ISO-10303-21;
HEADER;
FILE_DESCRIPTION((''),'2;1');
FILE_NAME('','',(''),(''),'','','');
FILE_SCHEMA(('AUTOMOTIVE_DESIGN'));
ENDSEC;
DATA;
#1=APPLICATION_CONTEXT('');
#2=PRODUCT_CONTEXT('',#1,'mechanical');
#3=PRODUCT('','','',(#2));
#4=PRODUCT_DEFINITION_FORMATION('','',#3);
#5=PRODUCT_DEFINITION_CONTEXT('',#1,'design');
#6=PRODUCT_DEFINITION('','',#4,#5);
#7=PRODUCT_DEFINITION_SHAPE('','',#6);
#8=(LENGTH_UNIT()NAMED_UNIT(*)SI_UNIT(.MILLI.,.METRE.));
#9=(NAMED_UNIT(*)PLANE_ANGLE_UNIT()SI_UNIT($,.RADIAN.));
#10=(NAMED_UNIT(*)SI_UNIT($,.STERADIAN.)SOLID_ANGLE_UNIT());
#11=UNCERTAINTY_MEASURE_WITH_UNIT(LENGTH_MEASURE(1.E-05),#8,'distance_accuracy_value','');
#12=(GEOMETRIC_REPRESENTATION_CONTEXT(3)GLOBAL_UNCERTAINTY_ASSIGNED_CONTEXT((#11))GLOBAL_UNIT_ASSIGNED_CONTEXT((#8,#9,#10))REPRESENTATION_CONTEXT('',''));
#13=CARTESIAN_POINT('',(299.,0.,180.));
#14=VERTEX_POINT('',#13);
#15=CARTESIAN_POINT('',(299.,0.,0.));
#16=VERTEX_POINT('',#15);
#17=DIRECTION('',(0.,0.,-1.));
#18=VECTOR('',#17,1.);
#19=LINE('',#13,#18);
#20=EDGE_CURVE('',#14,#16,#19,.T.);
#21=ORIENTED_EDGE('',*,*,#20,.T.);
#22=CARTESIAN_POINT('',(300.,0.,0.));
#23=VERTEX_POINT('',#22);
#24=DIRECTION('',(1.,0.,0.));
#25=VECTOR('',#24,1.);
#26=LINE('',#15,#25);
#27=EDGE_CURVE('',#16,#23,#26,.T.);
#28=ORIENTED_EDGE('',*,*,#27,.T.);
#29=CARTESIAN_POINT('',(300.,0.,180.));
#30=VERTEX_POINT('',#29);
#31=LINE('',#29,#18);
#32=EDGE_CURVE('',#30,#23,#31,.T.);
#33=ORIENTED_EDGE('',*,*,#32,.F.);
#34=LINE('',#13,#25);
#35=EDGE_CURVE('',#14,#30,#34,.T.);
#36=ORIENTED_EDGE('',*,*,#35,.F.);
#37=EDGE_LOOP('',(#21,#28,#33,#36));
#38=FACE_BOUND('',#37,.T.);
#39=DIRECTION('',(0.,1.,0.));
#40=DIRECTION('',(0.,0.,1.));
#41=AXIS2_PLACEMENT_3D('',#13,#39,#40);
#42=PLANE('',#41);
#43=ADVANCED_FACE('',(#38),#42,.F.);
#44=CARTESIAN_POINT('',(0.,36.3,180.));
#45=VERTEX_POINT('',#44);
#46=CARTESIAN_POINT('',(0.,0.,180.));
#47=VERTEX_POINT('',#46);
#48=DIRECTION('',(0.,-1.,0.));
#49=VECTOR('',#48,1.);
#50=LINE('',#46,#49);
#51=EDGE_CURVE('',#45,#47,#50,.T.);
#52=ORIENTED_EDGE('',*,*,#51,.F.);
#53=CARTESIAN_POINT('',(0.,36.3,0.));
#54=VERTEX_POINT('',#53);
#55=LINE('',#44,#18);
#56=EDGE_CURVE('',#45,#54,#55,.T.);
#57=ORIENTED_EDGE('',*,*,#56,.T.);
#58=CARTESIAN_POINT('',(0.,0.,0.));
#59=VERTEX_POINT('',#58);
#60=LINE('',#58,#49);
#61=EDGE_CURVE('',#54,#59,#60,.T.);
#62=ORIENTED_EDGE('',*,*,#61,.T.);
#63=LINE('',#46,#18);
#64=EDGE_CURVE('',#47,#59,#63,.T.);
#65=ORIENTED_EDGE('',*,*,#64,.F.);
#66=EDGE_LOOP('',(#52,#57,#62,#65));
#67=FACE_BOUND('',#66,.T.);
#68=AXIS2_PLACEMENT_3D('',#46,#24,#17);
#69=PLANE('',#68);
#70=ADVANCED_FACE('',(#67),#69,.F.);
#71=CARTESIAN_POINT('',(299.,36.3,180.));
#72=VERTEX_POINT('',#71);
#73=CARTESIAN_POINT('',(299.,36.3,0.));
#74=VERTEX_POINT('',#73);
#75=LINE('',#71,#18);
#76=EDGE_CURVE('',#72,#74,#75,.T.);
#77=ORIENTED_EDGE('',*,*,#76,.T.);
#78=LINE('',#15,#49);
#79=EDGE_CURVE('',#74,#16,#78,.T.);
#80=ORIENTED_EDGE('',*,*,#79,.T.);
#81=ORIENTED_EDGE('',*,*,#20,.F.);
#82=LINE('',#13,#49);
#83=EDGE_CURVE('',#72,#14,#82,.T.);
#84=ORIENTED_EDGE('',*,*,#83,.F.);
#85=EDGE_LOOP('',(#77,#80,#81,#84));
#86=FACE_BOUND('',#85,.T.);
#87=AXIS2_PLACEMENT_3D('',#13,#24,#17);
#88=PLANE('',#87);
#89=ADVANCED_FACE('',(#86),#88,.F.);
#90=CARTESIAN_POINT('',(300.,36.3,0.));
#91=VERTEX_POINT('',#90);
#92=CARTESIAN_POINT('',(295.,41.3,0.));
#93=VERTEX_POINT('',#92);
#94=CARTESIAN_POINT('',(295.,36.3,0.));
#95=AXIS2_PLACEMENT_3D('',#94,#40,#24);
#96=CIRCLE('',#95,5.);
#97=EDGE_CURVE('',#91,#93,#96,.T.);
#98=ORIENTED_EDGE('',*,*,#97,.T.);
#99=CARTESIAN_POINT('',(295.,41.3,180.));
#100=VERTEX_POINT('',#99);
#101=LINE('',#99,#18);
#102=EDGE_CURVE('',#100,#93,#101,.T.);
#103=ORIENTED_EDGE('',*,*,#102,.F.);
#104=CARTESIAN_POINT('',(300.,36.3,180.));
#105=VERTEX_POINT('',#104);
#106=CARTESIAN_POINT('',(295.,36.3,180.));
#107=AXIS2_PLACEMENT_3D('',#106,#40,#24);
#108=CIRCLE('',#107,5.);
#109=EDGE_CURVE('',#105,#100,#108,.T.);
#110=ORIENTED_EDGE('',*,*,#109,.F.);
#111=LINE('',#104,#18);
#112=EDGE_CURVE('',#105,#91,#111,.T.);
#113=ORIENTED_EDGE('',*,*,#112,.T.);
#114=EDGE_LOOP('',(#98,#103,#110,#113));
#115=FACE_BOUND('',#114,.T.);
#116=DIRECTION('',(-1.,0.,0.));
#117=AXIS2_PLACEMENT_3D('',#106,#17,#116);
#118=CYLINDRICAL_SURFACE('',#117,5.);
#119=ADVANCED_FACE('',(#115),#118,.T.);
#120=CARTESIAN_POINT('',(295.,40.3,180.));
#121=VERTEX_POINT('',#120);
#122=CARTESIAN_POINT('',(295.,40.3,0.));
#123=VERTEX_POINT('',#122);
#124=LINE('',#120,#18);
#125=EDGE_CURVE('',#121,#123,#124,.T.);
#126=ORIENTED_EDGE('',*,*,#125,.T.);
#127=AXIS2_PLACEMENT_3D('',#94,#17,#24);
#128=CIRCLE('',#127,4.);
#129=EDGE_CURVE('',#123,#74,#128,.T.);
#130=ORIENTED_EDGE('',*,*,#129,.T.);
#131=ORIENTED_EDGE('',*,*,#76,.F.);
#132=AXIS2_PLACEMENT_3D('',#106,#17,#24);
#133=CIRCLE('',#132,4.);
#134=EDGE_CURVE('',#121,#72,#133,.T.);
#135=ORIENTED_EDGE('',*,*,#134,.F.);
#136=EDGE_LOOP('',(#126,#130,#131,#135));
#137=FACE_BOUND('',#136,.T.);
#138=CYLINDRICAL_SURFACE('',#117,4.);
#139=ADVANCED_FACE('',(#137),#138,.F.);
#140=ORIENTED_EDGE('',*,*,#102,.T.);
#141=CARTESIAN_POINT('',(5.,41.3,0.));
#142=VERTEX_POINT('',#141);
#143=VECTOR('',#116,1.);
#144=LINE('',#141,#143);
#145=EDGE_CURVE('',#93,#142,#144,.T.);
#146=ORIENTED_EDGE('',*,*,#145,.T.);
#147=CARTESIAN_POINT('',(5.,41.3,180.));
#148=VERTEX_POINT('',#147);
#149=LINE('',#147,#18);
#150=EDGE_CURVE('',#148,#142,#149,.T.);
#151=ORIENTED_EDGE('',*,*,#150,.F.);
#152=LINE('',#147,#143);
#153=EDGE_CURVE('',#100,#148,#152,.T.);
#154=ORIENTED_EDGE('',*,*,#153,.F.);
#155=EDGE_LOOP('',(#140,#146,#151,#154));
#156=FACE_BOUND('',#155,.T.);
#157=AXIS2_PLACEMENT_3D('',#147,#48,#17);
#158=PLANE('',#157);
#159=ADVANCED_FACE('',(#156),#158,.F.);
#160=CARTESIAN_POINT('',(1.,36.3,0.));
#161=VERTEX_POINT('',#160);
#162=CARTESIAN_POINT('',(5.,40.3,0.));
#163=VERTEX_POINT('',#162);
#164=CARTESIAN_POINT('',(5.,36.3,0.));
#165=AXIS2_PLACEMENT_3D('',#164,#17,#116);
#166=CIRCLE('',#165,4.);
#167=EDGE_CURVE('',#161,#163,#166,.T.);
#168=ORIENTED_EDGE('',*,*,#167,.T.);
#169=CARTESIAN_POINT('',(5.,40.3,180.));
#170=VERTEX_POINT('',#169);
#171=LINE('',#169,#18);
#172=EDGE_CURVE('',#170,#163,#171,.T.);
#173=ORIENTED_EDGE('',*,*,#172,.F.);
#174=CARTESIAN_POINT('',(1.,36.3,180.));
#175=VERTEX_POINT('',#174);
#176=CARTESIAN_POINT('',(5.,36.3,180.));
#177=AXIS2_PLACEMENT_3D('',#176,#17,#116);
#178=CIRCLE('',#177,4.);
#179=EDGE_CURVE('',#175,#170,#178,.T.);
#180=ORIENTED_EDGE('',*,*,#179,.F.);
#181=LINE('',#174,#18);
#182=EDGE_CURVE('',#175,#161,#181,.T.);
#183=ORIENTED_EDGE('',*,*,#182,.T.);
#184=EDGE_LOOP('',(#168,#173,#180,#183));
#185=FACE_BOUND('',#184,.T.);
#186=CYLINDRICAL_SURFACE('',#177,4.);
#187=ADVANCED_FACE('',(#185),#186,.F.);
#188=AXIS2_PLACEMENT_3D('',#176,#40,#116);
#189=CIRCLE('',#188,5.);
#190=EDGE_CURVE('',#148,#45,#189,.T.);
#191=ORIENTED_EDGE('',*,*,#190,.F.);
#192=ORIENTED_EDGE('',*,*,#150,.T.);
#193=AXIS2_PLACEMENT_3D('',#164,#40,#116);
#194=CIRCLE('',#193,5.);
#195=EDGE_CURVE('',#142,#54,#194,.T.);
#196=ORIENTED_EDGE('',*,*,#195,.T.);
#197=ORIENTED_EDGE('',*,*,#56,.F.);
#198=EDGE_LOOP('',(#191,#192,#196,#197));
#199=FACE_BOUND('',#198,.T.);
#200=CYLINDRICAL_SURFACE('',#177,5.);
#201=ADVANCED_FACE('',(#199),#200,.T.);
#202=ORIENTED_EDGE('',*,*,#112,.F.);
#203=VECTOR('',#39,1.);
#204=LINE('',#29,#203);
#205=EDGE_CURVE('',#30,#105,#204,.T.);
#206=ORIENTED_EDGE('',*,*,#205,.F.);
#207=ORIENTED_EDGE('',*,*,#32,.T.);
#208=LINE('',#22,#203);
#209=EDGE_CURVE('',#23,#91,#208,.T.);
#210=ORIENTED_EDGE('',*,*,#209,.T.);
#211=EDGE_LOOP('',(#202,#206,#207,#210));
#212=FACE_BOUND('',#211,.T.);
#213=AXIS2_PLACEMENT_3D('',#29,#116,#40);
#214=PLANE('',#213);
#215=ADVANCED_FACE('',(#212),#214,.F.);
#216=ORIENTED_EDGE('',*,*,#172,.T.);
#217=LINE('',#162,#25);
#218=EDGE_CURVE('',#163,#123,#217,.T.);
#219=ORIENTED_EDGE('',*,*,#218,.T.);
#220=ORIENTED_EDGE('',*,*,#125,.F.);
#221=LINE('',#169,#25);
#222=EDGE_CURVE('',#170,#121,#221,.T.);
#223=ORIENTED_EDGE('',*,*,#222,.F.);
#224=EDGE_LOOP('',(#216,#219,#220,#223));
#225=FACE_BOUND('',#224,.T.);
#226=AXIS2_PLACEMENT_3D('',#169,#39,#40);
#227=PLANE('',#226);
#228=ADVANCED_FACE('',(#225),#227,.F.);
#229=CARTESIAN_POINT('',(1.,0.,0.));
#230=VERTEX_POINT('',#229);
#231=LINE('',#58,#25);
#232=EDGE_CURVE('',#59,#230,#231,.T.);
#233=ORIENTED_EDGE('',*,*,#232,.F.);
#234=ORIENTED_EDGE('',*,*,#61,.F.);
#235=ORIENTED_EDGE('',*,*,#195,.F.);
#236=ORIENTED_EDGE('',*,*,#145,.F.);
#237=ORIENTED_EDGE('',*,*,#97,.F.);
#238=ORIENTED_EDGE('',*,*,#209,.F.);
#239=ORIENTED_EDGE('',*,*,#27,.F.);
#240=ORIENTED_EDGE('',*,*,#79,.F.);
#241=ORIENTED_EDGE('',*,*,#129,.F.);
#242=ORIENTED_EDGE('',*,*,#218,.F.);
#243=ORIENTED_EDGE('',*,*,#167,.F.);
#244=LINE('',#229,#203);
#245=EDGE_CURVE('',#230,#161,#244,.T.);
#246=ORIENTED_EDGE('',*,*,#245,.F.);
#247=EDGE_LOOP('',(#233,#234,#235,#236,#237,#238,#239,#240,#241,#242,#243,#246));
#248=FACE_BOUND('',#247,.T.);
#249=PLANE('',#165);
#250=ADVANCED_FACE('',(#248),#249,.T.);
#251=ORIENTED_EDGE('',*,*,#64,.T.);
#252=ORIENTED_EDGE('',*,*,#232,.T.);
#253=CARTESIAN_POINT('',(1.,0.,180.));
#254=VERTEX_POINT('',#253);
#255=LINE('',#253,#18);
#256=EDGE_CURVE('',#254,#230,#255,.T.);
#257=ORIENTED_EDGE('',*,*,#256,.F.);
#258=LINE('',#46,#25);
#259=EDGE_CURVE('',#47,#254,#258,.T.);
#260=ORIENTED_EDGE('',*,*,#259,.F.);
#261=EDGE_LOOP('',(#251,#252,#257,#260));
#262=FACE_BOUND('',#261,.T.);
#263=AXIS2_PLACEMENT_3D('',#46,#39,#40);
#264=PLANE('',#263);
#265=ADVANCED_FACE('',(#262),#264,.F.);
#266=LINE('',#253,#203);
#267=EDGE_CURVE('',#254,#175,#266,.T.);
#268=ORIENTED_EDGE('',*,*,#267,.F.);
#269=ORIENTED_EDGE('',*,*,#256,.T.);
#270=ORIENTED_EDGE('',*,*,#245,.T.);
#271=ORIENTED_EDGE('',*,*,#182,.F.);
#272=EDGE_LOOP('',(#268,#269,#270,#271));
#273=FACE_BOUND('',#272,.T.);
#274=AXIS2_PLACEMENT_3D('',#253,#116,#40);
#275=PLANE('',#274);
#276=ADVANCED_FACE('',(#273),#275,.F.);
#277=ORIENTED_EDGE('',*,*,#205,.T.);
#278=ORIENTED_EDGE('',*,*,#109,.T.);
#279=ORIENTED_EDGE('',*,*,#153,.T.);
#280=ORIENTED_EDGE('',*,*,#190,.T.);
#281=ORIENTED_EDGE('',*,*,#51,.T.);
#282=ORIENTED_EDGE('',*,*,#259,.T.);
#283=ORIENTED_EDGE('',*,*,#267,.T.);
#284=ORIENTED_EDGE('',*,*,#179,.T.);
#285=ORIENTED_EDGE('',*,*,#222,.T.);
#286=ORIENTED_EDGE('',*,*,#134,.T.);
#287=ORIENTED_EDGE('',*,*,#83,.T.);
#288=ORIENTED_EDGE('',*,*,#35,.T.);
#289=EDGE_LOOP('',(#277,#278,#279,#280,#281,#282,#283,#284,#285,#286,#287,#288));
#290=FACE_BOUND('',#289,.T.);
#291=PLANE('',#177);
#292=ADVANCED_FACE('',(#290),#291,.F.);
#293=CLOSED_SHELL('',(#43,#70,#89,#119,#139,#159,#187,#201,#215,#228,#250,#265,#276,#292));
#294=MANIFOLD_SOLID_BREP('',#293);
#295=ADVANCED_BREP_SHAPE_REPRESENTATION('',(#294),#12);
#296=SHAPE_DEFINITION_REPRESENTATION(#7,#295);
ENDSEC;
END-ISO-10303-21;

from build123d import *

# Parameters (mm, degrees)
RESSALTO_EXTRUS_O1_DEPTH = 180


with BuildPart() as part:
    # Esboço1 → Ressalto-extrusão1 (new body)
    with BuildSketch(Plane.XY):
        with BuildLine():
            Line((0, 0), (0, 36.3))
            ThreePointArc((0, 36.3), (1.464466094, 39.835533906), (5, 41.3))
            Line((5, 41.3), (295, 41.3))
            ThreePointArc((295, 41.3), (298.535533906, 39.835533906), (300, 36.3))
            Line((300, 36.3), (300, 0))
            Line((300, 0), (299, 0))
            Line((299, 0), (299, 36.3))
            ThreePointArc((299, 36.3), (297.828427125, 39.128427125), (295, 40.3))
            Line((295, 40.3), (5, 40.3))
            ThreePointArc((5, 40.3), (2.171572875, 39.128427125), (1, 36.3))
            Line((1, 36.3), (1, 0))
            Line((1, 0), (0, 0))
        make_face()
    extrude(amount=RESSALTO_EXTRUS_O1_DEPTH)


solid = part.part
